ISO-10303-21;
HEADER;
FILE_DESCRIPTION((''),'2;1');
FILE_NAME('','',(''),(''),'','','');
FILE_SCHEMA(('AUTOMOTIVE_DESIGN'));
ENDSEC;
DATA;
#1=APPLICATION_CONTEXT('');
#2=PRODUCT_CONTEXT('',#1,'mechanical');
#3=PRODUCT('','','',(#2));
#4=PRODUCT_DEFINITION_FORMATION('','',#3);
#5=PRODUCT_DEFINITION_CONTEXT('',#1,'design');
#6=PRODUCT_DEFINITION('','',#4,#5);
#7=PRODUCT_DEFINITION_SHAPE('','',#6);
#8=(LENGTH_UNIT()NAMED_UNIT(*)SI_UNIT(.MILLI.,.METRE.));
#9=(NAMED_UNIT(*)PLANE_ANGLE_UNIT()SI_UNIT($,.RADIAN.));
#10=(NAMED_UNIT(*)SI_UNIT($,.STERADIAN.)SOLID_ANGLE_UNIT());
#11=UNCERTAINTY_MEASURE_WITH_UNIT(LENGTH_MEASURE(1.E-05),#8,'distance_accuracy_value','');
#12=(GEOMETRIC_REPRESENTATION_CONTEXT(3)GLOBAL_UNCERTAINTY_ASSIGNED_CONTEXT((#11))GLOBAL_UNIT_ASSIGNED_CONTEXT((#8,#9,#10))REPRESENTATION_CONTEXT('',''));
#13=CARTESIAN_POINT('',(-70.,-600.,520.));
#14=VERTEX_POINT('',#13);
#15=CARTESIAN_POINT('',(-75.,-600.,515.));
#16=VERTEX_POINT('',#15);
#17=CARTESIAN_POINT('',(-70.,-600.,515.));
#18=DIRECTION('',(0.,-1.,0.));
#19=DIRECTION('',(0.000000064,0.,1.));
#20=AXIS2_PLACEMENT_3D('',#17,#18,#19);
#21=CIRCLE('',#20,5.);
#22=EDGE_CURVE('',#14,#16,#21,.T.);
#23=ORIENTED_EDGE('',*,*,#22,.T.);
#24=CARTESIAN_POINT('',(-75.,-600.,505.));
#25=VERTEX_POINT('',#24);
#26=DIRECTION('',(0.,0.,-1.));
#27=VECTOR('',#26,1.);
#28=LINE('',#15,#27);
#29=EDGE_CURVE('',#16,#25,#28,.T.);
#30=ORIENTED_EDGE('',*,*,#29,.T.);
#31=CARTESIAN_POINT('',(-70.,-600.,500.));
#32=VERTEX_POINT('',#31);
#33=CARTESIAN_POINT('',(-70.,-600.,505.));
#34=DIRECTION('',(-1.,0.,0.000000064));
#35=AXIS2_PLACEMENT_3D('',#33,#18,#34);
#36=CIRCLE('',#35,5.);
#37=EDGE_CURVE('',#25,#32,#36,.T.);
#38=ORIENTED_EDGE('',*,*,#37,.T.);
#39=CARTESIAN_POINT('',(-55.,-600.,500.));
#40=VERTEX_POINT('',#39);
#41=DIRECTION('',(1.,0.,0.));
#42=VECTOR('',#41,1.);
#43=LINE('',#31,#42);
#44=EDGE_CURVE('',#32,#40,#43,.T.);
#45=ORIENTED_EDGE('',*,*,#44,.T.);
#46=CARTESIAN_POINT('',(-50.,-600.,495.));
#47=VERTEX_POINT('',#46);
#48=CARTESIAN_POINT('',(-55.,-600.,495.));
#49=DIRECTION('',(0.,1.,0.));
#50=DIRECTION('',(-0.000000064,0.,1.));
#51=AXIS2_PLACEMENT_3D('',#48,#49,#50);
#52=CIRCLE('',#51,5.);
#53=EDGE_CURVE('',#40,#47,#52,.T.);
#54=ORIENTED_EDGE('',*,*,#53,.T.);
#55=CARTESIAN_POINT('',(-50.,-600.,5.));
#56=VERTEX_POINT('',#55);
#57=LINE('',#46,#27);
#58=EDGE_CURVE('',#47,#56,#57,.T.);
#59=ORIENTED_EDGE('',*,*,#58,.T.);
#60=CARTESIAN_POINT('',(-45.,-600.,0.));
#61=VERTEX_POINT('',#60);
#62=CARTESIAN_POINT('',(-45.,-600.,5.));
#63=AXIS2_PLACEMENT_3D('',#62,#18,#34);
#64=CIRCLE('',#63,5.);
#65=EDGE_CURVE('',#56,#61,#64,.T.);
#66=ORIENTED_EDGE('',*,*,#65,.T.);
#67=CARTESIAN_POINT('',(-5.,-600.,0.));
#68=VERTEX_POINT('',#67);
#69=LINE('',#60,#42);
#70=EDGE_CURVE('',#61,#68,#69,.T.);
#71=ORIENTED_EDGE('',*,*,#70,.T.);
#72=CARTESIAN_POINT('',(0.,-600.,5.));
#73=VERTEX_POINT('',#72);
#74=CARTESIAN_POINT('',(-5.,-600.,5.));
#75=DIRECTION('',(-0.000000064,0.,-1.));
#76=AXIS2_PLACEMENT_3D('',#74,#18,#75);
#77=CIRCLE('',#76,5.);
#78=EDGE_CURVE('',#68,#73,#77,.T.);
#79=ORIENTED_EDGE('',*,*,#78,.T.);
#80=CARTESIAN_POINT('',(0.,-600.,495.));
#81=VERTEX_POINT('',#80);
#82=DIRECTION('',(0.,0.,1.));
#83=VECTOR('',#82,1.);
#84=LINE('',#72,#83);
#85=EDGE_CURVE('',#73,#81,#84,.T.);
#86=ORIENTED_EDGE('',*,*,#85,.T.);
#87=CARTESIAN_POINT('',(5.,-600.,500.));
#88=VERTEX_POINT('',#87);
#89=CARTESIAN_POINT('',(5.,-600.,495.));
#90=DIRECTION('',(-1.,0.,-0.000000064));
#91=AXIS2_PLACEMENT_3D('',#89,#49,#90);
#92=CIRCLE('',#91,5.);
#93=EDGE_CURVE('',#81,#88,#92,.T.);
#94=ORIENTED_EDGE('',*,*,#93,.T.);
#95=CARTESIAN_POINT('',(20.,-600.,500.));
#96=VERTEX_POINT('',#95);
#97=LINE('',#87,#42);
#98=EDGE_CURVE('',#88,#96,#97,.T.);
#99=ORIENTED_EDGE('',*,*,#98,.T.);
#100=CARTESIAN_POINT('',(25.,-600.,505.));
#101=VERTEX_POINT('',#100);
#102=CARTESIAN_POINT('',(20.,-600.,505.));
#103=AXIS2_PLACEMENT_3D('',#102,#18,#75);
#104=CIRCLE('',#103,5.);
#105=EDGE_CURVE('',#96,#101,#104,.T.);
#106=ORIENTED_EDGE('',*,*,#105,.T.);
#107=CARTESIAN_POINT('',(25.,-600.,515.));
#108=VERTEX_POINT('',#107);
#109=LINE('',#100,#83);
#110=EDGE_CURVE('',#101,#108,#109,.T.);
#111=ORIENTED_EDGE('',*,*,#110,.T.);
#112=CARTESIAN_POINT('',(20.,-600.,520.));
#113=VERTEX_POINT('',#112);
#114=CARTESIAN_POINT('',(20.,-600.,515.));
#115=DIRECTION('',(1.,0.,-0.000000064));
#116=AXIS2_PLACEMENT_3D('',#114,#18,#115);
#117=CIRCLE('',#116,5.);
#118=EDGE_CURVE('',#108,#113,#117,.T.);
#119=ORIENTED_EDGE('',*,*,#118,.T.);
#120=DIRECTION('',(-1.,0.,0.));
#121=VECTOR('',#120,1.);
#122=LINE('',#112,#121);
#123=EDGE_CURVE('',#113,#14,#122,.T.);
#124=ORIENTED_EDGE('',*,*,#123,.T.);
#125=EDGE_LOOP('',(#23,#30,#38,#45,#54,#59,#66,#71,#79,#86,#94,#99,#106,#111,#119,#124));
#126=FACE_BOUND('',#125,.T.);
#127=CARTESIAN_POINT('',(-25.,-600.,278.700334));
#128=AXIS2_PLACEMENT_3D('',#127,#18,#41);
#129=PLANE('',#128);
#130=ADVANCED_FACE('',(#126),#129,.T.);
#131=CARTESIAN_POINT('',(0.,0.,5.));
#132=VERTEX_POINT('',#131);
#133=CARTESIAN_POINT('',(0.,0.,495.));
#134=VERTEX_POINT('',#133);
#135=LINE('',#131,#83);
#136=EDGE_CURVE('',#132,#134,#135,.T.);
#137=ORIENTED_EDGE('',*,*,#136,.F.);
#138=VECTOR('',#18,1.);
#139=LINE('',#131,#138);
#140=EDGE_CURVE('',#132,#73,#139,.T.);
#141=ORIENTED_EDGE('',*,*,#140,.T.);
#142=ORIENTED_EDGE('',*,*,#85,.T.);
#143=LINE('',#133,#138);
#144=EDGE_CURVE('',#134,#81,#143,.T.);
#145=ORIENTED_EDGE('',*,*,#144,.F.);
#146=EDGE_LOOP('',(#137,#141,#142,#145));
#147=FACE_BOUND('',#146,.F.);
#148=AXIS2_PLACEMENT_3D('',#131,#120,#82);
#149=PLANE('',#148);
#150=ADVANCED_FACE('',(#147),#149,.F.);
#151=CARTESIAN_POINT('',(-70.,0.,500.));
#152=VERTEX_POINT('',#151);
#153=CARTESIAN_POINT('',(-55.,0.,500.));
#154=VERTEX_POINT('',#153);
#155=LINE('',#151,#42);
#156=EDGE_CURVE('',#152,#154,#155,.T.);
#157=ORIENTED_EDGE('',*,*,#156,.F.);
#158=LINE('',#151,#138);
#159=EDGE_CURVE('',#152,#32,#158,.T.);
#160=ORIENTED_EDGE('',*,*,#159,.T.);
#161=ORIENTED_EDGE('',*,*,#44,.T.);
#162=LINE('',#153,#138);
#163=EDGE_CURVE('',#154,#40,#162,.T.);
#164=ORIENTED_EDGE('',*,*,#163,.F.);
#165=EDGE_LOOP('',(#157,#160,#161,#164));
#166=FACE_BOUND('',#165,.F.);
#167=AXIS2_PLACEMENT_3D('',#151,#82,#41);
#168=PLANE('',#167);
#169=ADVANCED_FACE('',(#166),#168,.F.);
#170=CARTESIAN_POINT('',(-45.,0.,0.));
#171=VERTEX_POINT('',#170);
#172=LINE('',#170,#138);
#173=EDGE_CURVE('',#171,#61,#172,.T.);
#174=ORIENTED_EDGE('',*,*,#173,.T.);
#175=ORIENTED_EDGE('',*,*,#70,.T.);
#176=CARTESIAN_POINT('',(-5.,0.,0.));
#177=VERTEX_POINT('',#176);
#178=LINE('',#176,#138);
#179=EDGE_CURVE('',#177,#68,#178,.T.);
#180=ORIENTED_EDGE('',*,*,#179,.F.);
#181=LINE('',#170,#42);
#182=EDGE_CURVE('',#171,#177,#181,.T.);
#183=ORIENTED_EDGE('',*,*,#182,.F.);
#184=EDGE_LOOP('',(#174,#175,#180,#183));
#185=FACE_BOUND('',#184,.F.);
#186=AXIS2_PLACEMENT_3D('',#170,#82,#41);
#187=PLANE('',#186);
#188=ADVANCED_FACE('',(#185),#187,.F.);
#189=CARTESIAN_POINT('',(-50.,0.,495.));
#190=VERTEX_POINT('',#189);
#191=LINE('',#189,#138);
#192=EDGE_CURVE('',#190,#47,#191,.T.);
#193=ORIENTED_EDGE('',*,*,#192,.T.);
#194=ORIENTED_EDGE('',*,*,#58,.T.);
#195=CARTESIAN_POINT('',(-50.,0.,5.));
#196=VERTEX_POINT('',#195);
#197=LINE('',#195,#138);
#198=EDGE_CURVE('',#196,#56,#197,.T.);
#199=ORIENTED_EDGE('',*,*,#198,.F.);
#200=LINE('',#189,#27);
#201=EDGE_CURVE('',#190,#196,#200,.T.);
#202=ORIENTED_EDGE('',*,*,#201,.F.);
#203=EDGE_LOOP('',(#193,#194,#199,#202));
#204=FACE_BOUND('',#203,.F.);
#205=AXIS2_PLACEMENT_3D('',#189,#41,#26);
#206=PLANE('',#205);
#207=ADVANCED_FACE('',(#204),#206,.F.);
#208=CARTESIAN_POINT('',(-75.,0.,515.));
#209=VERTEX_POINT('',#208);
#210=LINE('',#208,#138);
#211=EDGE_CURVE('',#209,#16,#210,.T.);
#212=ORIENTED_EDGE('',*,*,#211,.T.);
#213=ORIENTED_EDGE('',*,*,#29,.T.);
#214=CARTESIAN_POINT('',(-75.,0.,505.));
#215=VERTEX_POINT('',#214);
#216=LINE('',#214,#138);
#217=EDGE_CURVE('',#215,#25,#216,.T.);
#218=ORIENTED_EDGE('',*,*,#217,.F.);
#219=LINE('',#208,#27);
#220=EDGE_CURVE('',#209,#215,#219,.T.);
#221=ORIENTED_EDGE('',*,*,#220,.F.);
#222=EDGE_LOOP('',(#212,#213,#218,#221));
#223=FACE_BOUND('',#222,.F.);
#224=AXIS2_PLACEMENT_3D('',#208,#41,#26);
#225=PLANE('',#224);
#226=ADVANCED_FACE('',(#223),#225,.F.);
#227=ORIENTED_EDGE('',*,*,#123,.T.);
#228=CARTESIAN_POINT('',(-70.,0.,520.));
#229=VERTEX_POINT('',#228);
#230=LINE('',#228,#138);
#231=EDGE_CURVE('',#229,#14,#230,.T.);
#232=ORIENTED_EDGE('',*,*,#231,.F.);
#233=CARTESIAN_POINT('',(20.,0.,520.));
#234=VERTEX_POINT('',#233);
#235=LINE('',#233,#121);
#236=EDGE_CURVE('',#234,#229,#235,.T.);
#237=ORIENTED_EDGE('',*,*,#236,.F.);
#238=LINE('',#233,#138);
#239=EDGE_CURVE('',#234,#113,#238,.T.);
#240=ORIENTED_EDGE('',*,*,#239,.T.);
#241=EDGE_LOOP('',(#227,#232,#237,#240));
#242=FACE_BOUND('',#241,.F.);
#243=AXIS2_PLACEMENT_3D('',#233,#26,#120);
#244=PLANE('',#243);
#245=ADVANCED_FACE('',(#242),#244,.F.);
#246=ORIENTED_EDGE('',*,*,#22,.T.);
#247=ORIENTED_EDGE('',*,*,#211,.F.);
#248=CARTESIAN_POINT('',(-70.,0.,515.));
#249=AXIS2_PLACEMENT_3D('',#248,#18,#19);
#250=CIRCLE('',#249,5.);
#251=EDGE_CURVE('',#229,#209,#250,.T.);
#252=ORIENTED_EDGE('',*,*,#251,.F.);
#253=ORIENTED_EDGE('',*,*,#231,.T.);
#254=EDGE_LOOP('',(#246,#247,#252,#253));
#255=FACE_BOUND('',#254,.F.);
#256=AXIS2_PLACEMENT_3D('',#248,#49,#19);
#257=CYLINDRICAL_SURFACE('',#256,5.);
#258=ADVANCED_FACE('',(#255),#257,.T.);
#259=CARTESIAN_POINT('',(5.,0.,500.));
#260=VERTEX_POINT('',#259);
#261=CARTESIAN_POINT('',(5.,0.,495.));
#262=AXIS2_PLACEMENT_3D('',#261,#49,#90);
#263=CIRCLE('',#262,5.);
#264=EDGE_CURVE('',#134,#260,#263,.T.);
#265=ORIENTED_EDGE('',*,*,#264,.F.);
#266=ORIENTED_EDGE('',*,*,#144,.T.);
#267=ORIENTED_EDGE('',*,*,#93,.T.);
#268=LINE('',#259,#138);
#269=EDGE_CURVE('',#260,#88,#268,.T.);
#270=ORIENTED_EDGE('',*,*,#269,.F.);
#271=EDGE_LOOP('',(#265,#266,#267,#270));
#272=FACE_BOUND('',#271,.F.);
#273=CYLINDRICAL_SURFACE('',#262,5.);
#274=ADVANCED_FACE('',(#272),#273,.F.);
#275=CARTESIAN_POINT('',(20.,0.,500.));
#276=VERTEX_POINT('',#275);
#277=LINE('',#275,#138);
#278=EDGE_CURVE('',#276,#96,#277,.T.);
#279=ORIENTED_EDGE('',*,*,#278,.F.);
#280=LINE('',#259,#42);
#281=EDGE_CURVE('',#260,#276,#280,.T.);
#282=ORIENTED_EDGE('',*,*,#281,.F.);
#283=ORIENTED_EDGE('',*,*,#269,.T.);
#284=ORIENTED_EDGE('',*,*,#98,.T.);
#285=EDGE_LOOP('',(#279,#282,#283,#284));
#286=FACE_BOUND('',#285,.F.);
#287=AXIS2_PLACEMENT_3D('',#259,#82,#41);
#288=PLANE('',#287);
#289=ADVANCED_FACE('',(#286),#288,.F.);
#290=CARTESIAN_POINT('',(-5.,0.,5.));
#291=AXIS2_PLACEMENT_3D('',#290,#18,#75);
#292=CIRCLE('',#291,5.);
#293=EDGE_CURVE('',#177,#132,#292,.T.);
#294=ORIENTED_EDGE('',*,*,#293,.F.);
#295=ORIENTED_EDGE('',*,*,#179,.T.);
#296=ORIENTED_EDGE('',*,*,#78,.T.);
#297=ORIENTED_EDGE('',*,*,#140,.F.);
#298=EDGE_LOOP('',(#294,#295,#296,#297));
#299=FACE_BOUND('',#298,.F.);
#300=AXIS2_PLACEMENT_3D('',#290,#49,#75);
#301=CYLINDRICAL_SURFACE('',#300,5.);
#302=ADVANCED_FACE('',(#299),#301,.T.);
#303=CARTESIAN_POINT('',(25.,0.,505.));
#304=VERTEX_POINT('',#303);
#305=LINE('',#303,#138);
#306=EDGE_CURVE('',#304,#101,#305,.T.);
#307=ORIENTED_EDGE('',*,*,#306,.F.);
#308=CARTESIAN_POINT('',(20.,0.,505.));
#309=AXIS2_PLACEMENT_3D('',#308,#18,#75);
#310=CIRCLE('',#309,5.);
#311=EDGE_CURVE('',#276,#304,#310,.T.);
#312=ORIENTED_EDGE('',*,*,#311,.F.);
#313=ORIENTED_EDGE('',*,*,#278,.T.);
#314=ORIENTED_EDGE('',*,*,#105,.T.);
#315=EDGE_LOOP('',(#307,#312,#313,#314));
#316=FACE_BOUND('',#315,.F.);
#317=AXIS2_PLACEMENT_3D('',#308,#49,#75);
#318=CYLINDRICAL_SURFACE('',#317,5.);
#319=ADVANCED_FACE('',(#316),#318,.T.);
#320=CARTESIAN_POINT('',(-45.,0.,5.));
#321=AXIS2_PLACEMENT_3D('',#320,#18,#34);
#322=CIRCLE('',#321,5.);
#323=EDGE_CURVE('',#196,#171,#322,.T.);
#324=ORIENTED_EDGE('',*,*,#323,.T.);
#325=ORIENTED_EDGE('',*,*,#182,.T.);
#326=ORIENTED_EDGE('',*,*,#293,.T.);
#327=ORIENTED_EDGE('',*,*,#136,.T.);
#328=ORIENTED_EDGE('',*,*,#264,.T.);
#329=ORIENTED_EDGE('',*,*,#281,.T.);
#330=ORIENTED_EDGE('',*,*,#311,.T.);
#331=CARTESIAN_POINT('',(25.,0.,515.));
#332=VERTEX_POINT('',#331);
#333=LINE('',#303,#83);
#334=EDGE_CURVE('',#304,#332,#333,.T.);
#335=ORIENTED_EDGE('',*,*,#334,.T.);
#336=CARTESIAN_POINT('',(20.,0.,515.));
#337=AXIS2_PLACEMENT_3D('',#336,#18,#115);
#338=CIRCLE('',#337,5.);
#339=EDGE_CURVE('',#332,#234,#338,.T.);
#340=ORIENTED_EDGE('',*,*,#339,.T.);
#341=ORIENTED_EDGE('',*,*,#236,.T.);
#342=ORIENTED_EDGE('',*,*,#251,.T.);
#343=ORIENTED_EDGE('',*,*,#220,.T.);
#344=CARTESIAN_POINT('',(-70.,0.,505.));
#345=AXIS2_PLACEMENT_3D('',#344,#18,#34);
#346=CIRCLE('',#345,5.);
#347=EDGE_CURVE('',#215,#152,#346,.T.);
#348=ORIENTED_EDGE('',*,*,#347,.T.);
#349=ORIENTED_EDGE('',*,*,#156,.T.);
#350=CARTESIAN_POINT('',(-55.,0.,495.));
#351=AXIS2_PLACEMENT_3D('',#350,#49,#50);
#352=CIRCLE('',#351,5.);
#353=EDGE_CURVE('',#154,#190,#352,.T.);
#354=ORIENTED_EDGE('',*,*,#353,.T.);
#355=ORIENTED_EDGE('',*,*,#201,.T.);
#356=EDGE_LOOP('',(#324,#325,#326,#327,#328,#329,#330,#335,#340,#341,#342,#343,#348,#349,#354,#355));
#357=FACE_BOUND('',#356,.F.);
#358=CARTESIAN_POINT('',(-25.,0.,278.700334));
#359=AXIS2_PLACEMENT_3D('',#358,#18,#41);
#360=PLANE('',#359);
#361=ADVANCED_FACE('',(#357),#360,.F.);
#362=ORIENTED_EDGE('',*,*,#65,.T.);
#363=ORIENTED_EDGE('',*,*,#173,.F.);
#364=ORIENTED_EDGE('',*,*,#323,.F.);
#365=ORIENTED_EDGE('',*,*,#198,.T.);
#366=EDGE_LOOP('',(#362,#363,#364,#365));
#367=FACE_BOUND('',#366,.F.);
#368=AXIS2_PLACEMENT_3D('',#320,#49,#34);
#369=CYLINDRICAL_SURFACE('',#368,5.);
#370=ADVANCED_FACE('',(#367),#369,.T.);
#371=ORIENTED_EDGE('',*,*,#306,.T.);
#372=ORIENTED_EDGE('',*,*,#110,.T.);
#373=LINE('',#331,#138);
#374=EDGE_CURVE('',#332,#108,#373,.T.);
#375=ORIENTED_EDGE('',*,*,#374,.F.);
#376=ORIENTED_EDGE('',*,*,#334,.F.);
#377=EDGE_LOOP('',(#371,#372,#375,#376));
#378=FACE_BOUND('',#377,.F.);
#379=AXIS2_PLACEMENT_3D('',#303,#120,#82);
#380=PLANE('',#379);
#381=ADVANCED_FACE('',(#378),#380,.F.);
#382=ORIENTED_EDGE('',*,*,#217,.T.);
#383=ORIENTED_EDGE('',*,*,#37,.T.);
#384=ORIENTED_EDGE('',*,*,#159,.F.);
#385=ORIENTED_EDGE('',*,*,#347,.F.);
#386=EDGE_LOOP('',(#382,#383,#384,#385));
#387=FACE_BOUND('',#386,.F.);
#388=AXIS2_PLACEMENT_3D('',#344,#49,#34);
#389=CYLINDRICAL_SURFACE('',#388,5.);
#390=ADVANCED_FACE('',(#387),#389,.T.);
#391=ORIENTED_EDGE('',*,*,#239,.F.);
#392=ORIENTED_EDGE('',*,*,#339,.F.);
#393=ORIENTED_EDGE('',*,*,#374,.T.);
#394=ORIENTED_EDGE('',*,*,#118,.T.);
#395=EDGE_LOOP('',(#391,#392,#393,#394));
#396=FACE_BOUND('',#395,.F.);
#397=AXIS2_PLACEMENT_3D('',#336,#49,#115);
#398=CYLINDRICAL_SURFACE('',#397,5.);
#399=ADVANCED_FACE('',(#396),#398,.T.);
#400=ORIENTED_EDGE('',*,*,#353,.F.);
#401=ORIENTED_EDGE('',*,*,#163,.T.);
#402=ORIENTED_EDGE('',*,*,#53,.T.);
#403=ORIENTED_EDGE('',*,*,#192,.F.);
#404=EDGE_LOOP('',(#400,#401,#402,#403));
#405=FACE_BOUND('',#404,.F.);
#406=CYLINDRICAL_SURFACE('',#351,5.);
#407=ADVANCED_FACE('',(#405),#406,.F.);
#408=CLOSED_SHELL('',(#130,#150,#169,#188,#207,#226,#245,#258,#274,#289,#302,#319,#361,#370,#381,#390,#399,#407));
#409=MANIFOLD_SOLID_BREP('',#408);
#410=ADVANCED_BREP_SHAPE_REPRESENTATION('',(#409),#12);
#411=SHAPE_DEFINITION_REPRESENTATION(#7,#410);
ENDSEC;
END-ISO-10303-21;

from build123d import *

# Parameters (mm, degrees)
F1_DEPTH = 600


with BuildPart() as f1:
    # F0 (on Front) → F1 (new body)
    with BuildSketch(Plane.XZ):
        with BuildLine():
            Line((-45, 0), (-5, 0))
            ThreePointArc((-5, 0), (-1.464466, 1.464466), (0, 5))
            Line((0, 5), (0, 495))
            ThreePointArc((0, 495), (1.464466, 498.535534), (5, 500))
            Line((5, 500), (20, 500))
            ThreePointArc((20, 500), (23.535534, 501.464466), (25, 505))
            Line((25, 505), (25, 515))
            ThreePointArc((25, 515), (23.535534, 518.535534), (20, 520))
            Line((20, 520), (-70, 520))
            ThreePointArc((-70, 520), (-73.535534, 518.535534), (-75, 515))
            Line((-75, 515), (-75, 505))
            ThreePointArc((-75, 505), (-73.535534, 501.464466), (-70, 500))
            Line((-70, 500), (-55, 500))
            ThreePointArc((-55, 500), (-51.464466, 498.535534), (-50, 495))
            Line((-50, 495), (-50, 5))
            ThreePointArc((-50, 5), (-48.535534, 1.464466), (-45, 0))
        make_face()
    extrude(amount=F1_DEPTH)


solid = f1.part
